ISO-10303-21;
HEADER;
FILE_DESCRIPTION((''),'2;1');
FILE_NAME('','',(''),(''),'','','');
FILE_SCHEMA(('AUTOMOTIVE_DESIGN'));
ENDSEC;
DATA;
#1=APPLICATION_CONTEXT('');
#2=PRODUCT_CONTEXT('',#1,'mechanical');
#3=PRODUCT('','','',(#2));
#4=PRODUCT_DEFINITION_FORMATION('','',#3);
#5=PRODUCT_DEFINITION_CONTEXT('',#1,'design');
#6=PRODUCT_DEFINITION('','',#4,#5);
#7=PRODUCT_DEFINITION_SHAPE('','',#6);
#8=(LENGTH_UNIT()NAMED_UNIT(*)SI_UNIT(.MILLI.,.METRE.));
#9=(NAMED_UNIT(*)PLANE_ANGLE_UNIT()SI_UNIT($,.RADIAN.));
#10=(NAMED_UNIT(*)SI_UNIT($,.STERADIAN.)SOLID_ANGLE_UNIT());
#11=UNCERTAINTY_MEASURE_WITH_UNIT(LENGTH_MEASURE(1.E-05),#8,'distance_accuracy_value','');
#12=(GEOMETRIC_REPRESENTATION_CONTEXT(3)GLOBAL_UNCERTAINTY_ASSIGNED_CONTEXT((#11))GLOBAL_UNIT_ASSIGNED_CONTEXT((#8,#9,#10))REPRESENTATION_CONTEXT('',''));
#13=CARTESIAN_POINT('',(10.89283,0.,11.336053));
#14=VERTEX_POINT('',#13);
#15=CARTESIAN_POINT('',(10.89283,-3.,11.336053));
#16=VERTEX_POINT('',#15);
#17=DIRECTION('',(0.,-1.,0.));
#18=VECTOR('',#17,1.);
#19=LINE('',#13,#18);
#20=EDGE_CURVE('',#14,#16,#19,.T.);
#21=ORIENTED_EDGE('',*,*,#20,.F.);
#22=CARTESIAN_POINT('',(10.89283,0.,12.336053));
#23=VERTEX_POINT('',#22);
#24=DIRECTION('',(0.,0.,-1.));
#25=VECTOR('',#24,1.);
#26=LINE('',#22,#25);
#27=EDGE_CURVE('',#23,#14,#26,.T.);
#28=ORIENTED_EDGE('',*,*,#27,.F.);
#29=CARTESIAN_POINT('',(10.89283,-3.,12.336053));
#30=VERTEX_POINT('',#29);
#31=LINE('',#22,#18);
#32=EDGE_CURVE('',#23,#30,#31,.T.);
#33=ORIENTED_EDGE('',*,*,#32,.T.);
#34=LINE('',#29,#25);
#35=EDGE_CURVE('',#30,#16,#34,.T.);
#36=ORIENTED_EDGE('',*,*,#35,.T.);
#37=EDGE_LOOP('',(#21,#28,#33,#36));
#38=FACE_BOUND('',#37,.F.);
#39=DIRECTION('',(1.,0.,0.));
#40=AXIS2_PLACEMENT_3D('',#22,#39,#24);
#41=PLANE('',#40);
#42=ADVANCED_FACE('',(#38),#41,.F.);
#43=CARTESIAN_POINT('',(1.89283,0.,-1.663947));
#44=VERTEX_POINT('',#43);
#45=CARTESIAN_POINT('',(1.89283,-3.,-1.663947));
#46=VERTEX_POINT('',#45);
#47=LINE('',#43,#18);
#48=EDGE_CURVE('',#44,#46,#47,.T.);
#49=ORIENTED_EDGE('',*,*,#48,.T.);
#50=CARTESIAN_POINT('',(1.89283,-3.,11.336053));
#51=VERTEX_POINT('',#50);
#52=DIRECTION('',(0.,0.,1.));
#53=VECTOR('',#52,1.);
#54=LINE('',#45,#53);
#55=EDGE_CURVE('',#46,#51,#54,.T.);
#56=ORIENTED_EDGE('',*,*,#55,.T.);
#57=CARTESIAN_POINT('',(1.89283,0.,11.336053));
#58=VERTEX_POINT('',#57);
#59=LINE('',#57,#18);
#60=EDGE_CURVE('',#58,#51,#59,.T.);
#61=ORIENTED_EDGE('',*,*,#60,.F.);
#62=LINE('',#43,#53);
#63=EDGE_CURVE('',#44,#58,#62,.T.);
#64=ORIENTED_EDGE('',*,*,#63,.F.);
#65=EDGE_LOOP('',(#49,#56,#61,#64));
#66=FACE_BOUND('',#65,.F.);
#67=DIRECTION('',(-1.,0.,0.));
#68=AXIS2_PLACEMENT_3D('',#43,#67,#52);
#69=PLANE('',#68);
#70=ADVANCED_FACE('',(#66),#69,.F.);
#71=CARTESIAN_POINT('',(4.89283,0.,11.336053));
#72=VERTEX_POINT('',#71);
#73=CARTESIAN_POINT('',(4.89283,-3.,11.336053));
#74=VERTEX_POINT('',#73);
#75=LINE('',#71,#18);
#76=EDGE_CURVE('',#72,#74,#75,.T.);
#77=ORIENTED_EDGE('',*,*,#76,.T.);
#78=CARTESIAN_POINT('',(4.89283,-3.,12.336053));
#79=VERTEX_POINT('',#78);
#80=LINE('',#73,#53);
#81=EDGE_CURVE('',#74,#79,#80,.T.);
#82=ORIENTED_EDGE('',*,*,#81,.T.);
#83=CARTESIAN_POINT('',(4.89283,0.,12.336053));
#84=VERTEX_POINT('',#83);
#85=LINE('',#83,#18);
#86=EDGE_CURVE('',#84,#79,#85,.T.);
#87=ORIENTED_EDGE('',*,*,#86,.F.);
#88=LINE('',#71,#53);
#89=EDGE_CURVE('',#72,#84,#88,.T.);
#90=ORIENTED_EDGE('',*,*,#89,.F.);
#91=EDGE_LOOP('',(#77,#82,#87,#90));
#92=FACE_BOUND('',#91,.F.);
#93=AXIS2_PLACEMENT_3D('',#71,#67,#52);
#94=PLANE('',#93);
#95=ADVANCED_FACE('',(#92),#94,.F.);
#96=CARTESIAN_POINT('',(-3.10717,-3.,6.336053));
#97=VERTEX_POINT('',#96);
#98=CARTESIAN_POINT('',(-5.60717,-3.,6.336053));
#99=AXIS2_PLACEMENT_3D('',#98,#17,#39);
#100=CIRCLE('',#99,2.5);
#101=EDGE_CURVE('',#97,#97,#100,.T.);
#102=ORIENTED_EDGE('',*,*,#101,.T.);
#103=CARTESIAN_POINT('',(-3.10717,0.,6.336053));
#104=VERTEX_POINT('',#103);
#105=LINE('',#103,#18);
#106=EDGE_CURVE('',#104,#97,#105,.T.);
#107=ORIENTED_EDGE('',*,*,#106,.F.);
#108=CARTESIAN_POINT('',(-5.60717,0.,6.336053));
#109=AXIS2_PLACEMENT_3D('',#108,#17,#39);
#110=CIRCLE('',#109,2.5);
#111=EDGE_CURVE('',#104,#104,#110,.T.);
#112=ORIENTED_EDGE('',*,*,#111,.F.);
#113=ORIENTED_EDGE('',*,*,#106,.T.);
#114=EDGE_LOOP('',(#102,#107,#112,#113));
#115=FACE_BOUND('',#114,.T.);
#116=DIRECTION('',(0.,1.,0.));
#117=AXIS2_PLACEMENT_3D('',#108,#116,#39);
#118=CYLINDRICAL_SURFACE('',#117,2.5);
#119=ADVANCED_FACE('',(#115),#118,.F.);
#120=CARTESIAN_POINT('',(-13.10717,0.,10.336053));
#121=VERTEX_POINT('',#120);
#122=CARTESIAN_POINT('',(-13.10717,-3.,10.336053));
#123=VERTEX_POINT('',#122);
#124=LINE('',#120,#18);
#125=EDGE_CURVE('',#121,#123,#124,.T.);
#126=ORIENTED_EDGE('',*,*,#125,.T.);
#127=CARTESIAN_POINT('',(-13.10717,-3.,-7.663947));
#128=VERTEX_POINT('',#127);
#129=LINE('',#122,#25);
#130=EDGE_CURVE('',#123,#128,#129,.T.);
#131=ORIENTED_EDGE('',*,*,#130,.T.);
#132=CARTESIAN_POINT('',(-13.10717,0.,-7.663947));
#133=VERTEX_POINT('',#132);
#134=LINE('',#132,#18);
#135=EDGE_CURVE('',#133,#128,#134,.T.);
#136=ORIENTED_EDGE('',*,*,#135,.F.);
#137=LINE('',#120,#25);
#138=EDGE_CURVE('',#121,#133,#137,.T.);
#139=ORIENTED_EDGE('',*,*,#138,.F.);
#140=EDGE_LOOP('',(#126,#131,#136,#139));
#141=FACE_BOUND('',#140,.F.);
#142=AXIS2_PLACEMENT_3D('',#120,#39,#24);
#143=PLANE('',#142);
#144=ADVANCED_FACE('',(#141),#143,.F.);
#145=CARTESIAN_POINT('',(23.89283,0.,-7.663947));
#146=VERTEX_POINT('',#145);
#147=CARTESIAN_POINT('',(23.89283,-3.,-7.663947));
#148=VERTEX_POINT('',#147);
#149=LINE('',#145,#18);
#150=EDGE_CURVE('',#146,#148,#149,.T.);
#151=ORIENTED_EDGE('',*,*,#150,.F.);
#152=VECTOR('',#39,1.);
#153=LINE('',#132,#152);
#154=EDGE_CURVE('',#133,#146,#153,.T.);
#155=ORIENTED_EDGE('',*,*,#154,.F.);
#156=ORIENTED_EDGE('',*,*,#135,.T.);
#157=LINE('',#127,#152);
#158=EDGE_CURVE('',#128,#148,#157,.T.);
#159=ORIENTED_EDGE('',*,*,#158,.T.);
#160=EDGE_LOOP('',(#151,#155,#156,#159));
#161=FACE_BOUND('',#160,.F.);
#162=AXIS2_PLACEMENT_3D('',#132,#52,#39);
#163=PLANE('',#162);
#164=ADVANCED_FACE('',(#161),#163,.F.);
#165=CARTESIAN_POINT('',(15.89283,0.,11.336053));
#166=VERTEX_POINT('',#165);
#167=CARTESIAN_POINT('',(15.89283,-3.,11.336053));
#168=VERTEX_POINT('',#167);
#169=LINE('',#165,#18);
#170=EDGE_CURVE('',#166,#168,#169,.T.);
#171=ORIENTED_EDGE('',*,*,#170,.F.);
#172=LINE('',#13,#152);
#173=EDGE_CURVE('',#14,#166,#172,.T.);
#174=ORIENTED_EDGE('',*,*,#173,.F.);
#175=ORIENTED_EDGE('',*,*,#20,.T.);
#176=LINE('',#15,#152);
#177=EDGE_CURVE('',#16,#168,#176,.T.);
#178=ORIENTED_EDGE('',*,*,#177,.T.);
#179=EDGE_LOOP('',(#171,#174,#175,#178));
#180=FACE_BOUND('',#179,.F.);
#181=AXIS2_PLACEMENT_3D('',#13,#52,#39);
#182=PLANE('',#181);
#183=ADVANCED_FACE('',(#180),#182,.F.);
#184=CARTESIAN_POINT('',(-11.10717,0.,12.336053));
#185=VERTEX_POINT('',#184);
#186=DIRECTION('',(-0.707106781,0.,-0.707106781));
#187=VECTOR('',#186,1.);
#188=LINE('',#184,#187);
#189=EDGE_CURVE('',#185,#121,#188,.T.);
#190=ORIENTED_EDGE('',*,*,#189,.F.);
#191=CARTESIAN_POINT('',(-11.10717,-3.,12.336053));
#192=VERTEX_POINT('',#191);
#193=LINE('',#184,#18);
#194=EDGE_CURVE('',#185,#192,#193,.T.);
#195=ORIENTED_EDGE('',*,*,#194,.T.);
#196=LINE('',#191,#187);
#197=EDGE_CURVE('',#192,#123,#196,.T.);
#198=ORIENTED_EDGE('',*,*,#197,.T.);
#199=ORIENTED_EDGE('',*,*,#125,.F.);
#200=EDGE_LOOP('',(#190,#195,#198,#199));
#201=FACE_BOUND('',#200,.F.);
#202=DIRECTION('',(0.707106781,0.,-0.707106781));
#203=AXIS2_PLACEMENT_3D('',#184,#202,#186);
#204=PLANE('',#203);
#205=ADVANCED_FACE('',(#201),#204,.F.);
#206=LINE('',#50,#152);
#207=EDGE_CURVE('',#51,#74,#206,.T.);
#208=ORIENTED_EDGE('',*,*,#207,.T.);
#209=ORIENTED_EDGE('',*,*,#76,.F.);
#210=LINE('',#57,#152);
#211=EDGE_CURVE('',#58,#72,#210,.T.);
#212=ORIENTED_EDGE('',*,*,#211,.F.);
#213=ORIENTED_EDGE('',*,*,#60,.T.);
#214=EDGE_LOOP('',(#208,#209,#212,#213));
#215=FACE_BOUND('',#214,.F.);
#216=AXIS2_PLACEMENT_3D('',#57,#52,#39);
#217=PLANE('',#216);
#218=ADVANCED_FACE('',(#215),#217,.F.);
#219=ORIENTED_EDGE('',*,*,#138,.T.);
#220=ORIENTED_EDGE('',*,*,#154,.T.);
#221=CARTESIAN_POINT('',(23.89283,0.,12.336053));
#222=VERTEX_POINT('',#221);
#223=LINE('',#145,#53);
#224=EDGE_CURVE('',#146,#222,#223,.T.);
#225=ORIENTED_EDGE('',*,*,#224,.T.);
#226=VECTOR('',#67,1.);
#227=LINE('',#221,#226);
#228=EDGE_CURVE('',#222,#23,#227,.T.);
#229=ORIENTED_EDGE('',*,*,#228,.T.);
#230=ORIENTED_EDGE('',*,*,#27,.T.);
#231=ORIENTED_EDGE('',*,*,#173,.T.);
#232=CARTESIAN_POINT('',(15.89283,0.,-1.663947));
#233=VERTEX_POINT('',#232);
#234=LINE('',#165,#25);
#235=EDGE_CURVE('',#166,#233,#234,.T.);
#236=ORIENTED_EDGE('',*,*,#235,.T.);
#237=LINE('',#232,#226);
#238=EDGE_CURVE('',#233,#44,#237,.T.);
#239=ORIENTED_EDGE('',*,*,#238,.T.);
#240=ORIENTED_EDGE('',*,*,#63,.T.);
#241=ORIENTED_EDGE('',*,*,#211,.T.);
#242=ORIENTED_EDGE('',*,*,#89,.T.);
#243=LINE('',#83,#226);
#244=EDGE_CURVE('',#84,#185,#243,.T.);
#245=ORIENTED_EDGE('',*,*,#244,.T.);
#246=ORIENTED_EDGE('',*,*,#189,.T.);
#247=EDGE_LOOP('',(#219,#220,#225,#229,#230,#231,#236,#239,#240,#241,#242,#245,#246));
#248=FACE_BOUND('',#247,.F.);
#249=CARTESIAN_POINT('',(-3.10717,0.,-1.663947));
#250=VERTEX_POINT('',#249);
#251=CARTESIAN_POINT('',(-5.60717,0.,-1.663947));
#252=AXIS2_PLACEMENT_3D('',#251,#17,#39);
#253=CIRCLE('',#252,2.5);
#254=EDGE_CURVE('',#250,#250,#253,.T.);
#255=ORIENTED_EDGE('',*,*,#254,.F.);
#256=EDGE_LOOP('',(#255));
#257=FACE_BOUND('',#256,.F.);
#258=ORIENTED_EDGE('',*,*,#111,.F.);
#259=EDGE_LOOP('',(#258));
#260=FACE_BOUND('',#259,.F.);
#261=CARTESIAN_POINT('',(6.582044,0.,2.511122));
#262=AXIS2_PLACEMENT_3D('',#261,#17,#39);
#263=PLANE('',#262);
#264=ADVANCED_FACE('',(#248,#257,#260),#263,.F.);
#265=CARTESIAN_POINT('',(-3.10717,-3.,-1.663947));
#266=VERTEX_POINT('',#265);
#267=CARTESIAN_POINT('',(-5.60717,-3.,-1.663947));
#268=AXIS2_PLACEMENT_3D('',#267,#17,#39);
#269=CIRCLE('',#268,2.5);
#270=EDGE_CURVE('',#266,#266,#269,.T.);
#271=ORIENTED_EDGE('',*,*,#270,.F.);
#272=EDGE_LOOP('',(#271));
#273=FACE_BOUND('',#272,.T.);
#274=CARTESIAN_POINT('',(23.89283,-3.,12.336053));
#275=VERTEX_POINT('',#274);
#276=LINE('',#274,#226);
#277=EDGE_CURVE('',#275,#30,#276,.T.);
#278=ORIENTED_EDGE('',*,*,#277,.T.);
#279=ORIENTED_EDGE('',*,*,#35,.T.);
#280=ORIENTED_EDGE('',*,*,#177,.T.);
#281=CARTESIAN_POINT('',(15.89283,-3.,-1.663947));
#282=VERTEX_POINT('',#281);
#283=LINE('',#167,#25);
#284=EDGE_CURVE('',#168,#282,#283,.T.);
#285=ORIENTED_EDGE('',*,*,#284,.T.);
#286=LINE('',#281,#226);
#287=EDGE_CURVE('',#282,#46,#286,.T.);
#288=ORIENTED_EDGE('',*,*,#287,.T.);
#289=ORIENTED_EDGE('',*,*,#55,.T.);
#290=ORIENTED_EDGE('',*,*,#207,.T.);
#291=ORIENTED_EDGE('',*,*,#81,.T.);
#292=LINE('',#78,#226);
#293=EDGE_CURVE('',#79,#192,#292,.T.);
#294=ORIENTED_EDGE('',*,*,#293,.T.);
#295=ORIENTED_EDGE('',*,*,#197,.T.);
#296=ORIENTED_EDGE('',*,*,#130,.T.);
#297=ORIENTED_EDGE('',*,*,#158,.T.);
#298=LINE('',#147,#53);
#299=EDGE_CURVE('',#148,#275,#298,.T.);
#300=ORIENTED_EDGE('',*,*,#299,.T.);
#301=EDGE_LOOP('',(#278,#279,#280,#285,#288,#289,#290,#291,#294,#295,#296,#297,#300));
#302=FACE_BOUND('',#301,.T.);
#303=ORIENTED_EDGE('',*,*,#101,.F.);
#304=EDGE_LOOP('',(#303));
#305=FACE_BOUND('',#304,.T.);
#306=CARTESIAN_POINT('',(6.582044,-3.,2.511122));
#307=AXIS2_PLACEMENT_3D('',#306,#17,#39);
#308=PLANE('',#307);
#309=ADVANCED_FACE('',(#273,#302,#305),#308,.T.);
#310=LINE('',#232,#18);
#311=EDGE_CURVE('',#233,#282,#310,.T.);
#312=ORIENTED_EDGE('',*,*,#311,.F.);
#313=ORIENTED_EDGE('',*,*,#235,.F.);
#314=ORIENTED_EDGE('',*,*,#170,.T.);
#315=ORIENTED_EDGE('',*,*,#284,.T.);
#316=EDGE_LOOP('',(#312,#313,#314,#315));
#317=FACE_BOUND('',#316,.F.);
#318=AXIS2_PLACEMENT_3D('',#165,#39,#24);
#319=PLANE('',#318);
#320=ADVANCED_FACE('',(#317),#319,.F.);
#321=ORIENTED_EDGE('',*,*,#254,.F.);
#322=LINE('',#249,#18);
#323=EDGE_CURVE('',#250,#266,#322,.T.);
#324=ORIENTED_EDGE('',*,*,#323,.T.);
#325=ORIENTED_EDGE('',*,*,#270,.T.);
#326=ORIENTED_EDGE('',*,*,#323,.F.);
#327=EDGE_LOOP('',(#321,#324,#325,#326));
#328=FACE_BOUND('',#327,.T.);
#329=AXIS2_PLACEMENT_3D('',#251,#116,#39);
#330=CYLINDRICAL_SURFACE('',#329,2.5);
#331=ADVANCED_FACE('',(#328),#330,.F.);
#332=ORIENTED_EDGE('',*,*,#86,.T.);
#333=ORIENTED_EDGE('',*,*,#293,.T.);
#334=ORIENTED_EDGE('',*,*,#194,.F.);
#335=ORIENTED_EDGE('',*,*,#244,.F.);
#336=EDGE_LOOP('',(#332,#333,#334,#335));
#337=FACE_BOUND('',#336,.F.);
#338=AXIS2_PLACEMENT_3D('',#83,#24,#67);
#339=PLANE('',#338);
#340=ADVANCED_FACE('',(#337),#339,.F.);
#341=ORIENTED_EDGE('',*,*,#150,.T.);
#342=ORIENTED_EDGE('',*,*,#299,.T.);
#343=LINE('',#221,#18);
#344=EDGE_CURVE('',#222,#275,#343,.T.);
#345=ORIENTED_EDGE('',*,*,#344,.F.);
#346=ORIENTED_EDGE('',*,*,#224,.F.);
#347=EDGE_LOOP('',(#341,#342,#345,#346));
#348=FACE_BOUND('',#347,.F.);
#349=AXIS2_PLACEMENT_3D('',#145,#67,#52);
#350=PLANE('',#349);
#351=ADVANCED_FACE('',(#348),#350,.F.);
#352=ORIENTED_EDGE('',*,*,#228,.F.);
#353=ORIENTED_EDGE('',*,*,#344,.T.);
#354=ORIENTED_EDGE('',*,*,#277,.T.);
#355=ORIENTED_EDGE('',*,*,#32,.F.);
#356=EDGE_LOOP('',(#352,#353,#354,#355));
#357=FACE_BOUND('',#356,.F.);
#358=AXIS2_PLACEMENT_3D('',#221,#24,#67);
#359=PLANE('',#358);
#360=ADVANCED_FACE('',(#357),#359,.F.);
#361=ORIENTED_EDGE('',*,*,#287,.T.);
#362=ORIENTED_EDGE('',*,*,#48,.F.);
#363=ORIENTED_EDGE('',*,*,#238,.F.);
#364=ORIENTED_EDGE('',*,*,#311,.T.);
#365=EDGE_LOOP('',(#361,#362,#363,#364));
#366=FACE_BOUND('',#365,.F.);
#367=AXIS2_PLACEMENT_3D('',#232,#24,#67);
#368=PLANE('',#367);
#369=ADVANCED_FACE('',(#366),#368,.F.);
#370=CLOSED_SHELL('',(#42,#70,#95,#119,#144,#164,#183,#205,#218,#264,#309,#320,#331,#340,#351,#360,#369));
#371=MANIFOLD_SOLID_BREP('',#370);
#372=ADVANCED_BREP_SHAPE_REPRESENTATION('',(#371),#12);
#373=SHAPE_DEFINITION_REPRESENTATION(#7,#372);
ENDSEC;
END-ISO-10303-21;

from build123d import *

# Parameters (mm, degrees)
F0_R     = 2.5
F1_DEPTH = 3


with BuildPart() as f1:
    # F0 (on Front) → F1 (new body)
    with BuildSketch(Plane.XZ):
        Polygon((4.89283, 12.336053), (-11.10717, 12.336053), (-13.10717, 10.336053), (-13.10717, -7.663947), (23.89283, -7.663947), (23.89283, 12.336053), (10.89283, 12.336053), (10.89283, 11.336053), (15.89283, 11.336053), (15.89283, -1.663947), (1.89283, -1.663947), (1.89283, 11.336053), (4.89283, 11.336053), align=None)
        with Locations((-5.60717, -1.663947)):
            Circle(F0_R, mode=Mode.SUBTRACT)
        with Locations((-5.60717, 6.336053)):
            Circle(F0_R, mode=Mode.SUBTRACT)
    extrude(amount=F1_DEPTH)


solid = f1.part
